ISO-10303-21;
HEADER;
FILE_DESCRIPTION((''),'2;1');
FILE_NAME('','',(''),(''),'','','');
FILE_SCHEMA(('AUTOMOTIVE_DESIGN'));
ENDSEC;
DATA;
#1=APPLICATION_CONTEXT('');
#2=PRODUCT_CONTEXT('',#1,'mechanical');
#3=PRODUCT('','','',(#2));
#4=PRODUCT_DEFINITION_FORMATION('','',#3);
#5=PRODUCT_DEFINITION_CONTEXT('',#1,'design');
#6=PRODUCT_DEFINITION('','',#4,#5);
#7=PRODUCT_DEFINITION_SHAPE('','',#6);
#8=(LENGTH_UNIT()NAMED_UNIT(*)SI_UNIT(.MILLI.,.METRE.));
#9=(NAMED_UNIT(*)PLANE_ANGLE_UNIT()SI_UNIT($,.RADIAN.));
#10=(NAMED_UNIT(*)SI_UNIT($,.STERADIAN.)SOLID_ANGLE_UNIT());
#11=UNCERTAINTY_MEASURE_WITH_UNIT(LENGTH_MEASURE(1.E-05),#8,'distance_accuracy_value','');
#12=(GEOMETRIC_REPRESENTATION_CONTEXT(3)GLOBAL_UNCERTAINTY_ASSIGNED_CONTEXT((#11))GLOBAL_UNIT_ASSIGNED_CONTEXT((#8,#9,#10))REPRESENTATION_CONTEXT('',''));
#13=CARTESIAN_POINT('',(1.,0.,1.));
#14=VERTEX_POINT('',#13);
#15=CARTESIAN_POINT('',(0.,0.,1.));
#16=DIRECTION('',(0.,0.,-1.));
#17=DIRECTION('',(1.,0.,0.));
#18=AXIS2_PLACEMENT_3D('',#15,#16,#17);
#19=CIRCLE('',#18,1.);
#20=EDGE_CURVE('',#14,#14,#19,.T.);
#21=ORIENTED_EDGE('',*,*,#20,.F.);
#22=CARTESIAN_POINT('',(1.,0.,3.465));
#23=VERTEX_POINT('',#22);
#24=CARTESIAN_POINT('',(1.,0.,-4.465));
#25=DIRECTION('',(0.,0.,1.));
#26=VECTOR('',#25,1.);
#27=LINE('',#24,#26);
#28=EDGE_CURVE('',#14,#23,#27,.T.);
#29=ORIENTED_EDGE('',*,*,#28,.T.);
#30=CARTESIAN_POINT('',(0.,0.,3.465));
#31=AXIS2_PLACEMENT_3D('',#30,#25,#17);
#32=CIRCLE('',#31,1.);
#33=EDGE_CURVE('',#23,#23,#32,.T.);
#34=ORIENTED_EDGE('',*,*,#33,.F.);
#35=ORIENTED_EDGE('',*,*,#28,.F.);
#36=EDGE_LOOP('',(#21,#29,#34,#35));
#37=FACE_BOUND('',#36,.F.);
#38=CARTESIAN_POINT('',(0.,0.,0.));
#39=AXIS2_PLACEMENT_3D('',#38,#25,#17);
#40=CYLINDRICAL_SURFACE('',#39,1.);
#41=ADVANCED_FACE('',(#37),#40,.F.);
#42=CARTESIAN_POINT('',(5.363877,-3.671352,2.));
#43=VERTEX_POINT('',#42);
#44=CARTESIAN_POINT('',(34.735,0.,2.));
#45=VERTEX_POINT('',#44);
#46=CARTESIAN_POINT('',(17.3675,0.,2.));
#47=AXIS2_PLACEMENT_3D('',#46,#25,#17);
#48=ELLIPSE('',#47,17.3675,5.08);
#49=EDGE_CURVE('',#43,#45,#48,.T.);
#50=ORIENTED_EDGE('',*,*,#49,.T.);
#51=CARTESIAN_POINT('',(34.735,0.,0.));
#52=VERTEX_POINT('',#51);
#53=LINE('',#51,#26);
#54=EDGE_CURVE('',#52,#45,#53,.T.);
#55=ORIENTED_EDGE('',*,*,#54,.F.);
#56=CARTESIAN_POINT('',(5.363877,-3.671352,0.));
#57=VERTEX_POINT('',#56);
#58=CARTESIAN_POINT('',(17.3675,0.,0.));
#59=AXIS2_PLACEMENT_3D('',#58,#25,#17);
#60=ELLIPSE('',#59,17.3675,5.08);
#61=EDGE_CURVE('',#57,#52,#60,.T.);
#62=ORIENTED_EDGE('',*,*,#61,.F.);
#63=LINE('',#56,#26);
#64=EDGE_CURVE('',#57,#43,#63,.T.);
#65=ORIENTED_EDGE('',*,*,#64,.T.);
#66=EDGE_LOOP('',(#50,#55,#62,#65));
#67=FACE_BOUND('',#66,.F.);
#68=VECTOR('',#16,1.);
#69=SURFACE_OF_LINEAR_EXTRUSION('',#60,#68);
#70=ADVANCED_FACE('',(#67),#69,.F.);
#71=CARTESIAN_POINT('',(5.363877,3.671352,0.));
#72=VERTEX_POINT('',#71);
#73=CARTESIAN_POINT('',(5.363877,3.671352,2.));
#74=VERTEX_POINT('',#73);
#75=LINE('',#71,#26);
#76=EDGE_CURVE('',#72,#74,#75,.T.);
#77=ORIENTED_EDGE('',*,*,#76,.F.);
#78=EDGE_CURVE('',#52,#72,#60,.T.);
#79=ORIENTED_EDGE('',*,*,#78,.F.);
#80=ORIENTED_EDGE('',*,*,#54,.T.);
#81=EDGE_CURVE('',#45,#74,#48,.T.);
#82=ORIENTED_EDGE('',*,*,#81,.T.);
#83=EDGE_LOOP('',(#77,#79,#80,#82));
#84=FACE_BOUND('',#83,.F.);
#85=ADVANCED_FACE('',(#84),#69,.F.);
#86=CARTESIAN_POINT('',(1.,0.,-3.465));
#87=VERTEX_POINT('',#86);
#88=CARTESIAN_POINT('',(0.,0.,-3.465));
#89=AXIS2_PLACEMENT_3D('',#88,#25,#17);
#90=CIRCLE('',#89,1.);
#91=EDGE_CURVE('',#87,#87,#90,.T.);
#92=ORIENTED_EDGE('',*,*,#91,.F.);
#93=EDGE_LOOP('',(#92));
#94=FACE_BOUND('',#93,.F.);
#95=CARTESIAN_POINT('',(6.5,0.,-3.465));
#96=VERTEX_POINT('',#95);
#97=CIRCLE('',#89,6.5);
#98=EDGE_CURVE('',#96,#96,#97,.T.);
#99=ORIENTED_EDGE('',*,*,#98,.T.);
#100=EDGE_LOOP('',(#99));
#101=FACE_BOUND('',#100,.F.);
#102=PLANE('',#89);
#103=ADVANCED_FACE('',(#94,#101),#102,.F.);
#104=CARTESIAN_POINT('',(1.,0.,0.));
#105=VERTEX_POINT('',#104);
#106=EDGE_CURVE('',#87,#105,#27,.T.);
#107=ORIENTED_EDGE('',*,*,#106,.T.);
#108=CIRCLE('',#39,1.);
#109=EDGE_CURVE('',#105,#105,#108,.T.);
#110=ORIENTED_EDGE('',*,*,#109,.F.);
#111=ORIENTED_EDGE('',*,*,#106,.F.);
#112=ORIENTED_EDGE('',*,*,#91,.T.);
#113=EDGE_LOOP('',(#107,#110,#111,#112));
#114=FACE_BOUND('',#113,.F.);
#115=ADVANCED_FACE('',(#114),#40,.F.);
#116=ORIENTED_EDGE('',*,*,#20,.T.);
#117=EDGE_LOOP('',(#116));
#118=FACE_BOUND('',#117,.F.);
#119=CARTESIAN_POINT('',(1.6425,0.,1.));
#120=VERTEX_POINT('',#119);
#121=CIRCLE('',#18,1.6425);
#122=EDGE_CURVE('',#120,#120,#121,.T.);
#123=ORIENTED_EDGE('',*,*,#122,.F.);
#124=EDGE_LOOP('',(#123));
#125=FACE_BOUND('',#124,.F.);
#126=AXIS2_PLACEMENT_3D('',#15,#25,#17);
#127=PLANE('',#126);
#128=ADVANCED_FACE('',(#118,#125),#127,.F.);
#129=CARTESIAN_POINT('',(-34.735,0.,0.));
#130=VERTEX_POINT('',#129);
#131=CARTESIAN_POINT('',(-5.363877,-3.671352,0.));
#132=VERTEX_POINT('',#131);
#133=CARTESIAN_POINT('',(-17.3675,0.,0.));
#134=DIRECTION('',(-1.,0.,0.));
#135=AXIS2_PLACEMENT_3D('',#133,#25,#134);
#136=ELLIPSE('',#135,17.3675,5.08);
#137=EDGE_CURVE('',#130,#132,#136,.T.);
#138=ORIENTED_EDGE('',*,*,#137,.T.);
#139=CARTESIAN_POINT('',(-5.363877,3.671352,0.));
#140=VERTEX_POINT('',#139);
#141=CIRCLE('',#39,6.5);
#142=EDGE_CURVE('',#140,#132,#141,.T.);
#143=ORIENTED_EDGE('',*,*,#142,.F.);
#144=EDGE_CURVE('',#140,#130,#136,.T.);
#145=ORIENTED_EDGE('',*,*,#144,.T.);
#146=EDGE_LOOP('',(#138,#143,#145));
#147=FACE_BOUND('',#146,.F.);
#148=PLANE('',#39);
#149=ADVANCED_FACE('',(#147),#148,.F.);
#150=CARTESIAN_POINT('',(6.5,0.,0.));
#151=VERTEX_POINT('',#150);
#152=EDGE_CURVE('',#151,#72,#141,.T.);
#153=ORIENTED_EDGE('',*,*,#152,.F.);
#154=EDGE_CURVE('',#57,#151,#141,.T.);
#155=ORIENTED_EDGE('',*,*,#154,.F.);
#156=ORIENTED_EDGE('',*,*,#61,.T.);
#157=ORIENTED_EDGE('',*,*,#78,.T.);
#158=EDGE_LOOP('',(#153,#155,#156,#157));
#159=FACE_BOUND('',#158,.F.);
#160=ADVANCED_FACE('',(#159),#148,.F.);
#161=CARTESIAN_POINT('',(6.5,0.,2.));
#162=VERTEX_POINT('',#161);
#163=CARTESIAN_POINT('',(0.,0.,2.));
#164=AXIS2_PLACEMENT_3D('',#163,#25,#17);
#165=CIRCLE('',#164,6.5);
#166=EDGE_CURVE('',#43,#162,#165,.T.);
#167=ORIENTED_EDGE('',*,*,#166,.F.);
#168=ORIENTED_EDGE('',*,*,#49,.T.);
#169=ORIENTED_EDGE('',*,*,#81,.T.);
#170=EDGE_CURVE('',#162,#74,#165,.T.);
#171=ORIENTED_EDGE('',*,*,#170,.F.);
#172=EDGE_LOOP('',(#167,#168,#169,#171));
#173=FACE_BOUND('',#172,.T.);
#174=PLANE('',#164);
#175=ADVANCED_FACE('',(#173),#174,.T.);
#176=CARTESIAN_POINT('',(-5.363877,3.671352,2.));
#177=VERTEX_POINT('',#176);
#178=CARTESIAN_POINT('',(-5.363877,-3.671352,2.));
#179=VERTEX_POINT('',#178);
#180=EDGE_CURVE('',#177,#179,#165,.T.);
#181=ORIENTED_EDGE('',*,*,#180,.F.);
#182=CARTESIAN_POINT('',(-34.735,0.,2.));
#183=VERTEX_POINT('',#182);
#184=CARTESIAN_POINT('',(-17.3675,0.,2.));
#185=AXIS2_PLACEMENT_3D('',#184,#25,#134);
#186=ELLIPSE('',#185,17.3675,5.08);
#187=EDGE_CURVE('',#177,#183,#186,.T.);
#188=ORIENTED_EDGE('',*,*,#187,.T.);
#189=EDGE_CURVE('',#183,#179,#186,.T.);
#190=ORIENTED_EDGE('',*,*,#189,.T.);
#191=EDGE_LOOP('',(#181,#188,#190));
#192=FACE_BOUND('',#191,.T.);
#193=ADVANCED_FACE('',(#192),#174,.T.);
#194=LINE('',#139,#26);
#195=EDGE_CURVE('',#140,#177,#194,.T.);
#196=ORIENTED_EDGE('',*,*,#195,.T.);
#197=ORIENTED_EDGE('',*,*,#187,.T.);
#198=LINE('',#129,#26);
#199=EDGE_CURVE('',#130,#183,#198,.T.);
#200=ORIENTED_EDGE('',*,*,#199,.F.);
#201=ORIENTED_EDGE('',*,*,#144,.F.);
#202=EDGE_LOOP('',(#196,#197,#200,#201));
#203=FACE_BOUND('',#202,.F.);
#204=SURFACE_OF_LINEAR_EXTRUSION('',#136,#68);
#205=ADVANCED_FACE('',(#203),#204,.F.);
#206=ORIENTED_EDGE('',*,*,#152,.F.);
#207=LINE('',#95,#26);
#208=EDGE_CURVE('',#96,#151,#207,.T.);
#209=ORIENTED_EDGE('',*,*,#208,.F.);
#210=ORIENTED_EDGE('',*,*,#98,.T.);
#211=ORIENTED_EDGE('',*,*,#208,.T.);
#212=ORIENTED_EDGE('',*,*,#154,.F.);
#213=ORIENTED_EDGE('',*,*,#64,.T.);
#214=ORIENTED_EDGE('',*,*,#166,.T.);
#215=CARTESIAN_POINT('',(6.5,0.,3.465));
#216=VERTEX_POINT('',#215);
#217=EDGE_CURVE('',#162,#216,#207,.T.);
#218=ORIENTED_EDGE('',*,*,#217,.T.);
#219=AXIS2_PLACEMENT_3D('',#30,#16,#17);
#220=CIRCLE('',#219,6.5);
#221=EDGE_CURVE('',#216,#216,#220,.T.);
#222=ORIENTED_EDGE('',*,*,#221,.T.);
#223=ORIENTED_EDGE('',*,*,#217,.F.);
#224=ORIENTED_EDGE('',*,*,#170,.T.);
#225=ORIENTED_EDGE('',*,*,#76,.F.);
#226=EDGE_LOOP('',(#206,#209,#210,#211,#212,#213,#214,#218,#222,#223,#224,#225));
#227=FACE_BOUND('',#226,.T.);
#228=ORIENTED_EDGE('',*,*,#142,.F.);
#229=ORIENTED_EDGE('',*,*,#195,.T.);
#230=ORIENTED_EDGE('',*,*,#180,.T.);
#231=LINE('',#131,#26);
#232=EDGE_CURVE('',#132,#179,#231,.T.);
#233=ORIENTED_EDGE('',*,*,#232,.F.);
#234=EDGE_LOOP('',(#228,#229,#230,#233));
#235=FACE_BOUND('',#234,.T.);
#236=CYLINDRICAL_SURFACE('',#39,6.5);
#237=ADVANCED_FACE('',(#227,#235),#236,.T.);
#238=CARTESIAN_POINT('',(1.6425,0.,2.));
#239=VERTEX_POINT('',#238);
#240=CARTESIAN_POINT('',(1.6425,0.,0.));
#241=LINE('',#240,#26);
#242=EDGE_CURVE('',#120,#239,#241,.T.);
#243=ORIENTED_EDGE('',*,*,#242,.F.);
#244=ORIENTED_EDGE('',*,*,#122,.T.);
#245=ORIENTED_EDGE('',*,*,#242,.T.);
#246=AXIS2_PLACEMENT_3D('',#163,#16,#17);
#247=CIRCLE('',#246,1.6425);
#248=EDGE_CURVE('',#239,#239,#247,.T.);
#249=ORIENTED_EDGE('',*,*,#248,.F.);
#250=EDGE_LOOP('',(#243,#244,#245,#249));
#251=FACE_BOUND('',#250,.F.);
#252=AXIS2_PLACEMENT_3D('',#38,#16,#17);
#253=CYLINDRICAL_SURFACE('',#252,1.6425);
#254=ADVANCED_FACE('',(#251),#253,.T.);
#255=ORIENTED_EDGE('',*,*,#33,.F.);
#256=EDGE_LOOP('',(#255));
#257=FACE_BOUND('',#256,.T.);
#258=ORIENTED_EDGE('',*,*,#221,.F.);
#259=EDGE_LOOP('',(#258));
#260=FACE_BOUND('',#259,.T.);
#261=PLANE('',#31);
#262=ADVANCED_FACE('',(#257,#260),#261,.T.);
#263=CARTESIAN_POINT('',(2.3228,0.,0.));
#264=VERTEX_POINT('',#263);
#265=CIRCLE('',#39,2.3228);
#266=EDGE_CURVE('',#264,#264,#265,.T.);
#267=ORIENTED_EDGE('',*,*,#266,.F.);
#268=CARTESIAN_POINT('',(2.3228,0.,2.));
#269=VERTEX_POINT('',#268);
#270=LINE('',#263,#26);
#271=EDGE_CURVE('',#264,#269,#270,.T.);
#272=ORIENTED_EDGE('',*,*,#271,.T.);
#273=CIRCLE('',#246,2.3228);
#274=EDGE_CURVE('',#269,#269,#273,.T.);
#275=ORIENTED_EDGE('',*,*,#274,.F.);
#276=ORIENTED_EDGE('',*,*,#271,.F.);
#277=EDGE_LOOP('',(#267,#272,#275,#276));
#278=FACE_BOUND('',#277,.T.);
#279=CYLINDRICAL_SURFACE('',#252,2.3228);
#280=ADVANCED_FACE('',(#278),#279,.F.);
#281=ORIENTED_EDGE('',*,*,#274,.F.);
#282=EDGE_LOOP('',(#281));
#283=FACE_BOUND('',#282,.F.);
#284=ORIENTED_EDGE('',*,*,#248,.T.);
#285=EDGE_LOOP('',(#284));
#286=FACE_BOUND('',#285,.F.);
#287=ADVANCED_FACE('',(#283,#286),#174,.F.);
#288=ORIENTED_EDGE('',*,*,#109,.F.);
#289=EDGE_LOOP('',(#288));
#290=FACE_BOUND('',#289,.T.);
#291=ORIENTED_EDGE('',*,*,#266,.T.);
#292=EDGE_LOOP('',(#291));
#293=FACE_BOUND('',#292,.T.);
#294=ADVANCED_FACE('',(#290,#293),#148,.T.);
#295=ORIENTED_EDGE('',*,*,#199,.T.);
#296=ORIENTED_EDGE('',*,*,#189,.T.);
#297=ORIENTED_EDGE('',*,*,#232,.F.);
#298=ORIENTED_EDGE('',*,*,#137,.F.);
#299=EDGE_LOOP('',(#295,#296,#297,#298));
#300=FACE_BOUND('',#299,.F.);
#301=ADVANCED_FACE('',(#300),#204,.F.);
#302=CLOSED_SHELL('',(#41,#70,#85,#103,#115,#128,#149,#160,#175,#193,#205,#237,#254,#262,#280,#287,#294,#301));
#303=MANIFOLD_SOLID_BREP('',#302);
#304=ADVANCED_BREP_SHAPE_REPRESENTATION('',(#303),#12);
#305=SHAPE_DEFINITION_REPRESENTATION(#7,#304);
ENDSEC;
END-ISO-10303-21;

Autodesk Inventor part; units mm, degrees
ref_plane "YZ Plane" through (0, 0, 0) normal (1, 0, 0) x (0, 1, 0)
ref_plane "XZ Plane" through (0, 0, 0) normal (0, 1, 0) x (-1, 0, 0)
ref_plane "XY Plane" through (0, 0, 0) normal (0, 0, 1) x (1, 0, 0)
sketch "Sketch1" plane through (0, 0, 0) normal (0, 0, 1) x (1, 0, 0)
  circle A0 centre (0, 0) radius 6.5
  ellipse E0 centre (17.3675, 0) end of major axis (34.735, 0) minor radius 5.08
  line L0 (0, 30.8967) -> (0, 25.9123)
  ellipse E1 centre (-17.3675, 0) end of major axis (-34.735, 0) minor radius 5.08
  circle A1 centre (0, 0) radius 1
  circle A2 centre (0, 0) radius 1.6425
  circle A3 centre (0, 0) radius 2.3228
  dimension "d1" = 17.3675
  dimension "d2" = 5.08
  dimension "d0" = 13
  dimension "d7" = 2
extrude "Extrusion1" add sketch "Sketch1" along normal mid plane 6.93 contours A0 E0 A3 | E0 A3 E1 A0 | A0 E1 A3 E0 | E1 A3 A0 | A3 E0 A2 | E0 A2 E1 A3 | A3 E1 A2 E0 | E1 A2 A3 | A2 E0 A1 | E0 A1 E1 A2 | A2 E1 A1 E0 | E1 A1 A2 | A1 E0 | E0 E1 A1 | A1 E1 E0 | E1 A1
extrude "Extrusion2" add sketch "Sketch1" along normal blind 2 contours A0 E0 A3 | A0 E0 | E1 A3 A0 | A0 E1 | A3 E0 A2 | E1 A2 A3 | A2 E0 A1 | E1 A1 A2 | A1 E0 | E1 A1
extrude "Extrusion3" cut sketch "Sketch1" along normal through all both and the other way through all contours A1 E0 | E0 E1 A1 | A1 E1 E0 | E1 A1
extrude "Extrusion4" cut sketch "Sketch1" along normal blind 1 contours A2 E0 A1 | E0 A1 E1 A2 | A2 E1 A1 E0 | E1 A1 A2
extrude "Extrusion5" cut sketch "Sketch1" along normal blind 2 contours A3 E0 A2 | E0 A2 E1 A3 | A3 E1 A2 E0 | E1 A2 A3
sketch "Sketch2" plane through (0, 0, 2) normal (0, 0, 1) x (1, 0, 0)
  point P0 (0, 0)
properties part number "Baling2"
